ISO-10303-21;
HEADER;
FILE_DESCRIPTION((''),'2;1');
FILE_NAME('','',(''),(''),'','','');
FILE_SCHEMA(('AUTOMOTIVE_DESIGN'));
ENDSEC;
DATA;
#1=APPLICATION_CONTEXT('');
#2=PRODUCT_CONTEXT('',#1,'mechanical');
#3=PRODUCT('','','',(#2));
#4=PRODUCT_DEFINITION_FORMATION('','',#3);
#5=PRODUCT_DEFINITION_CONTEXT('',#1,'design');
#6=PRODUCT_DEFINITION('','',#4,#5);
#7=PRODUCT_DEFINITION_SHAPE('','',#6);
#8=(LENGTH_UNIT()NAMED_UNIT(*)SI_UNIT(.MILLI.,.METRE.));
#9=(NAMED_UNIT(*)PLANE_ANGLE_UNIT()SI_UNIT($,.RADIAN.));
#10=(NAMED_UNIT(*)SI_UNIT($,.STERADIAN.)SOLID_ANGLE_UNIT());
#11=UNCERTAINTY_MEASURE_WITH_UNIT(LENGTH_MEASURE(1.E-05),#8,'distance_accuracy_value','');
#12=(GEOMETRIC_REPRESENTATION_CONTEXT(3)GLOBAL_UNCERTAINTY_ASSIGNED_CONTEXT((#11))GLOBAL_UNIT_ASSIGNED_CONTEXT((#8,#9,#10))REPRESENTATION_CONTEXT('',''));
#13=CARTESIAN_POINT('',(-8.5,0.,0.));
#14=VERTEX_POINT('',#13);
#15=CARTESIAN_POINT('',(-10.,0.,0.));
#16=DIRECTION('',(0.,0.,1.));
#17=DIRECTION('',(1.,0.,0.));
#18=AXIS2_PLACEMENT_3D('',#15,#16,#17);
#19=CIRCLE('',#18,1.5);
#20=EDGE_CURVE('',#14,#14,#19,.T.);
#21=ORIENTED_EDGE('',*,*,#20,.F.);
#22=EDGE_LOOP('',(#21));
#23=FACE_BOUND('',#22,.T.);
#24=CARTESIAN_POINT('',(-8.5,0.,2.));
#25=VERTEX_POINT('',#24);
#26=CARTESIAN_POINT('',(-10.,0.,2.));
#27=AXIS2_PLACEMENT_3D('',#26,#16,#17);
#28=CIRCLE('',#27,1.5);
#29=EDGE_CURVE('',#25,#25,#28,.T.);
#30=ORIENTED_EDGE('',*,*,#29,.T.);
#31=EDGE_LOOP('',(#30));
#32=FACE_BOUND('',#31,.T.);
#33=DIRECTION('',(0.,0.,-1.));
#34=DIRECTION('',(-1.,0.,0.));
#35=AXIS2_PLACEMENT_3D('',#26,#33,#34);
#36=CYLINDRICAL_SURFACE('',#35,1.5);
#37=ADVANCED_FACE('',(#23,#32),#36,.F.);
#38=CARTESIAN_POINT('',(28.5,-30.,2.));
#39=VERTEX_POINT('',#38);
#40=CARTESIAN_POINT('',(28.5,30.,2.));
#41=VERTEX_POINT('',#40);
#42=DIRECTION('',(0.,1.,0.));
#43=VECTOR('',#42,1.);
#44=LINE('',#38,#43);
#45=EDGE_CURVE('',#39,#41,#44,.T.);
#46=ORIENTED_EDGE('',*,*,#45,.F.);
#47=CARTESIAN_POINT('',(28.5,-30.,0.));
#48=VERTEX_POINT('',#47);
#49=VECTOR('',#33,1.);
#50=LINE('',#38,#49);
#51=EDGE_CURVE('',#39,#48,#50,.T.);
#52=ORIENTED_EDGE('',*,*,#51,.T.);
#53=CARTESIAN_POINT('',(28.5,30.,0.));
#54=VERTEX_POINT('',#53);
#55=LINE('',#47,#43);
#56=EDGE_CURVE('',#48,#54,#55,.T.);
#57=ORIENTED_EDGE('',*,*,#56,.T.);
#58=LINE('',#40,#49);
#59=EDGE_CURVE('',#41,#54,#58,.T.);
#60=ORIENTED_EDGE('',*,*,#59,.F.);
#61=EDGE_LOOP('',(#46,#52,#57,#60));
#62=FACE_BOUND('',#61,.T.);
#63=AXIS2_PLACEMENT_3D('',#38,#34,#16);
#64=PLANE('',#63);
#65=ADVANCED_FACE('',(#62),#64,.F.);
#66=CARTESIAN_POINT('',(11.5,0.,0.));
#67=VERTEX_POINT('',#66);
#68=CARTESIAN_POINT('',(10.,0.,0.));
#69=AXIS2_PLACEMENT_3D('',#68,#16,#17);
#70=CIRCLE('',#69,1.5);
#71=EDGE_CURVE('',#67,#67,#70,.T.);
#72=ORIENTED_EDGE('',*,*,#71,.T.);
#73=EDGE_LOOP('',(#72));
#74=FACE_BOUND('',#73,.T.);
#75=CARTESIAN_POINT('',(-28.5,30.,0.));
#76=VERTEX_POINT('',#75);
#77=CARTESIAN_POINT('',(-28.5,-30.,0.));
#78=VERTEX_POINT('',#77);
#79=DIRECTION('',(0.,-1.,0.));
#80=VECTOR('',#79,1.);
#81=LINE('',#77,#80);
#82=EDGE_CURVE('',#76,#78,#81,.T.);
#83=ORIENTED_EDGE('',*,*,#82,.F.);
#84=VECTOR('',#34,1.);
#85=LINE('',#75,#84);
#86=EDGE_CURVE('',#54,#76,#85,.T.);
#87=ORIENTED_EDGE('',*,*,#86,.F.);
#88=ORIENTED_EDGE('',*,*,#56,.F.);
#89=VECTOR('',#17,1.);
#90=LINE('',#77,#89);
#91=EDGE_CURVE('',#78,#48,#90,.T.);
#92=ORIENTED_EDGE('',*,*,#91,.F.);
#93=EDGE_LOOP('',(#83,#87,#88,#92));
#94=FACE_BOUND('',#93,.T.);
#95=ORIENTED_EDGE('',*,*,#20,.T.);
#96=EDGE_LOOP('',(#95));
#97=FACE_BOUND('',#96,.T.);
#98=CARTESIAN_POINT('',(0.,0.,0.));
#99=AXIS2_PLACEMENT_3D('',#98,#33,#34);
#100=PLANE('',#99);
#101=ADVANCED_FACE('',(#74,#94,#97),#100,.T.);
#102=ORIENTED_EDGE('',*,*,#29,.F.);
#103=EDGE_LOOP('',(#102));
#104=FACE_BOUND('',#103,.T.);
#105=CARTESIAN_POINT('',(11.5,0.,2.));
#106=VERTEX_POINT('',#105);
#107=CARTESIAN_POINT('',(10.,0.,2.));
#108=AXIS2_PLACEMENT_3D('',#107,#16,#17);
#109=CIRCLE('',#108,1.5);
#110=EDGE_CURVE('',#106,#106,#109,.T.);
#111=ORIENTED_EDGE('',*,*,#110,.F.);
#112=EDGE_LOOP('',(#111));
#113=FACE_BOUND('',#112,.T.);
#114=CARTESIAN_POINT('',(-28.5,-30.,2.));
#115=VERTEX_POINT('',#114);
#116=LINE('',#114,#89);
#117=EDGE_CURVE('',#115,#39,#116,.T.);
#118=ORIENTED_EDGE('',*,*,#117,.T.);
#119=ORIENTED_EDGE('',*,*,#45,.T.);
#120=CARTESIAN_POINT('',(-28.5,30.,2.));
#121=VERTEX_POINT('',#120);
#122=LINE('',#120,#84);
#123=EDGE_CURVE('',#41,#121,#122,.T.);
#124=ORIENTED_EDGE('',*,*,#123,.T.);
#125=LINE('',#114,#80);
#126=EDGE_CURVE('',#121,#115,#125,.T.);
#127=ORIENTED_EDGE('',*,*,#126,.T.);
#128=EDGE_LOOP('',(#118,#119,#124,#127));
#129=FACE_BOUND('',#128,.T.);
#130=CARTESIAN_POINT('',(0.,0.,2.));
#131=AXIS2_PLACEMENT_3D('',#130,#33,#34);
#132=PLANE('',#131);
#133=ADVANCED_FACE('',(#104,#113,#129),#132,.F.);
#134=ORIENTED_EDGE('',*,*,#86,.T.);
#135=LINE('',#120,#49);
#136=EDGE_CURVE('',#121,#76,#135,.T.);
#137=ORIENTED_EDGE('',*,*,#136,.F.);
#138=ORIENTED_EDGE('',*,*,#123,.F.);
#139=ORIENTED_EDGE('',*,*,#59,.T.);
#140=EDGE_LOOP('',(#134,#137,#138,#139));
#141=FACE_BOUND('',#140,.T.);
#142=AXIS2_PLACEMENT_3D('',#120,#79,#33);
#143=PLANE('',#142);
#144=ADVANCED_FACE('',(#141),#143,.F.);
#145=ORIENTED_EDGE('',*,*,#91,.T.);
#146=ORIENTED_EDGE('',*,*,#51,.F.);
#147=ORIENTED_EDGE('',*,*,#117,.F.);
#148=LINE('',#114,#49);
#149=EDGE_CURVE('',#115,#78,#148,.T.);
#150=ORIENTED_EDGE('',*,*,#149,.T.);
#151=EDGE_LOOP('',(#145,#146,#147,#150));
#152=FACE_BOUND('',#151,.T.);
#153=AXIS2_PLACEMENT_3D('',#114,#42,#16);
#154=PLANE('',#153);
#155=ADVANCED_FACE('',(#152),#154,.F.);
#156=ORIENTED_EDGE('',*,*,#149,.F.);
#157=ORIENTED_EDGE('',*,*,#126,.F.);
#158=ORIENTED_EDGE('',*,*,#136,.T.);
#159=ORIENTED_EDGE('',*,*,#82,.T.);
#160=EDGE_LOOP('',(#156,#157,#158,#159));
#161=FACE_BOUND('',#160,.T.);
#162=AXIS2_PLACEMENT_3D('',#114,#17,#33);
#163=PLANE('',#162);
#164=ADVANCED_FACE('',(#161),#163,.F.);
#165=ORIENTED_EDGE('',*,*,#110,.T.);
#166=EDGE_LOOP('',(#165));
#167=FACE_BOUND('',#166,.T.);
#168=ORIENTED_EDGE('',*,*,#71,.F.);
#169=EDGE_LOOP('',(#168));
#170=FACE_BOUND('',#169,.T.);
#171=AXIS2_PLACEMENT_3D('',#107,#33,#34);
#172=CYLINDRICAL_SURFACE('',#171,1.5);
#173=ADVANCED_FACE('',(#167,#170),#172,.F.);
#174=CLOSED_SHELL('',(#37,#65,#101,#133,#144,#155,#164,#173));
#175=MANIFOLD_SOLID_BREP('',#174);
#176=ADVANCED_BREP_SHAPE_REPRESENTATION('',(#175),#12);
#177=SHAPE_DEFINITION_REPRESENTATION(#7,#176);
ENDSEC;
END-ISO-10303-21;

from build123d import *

# Parameters (mm, degrees)
SKETCH1_W           = 57
SKETCH1_H           = 60
SKETCH1_R           = 1.5
BOSS_EXTRUDE1_DEPTH = 2


with BuildPart() as part:
    # Sketch1 → Boss-Extrude1 (new body)
    with BuildSketch(Plane.XY):
        Rectangle(SKETCH1_W, SKETCH1_H)
        with Locations((-10, 0)):
            Circle(SKETCH1_R, mode=Mode.SUBTRACT)
        with Locations((10, 0)):
            Circle(SKETCH1_R, mode=Mode.SUBTRACT)
    extrude(amount=BOSS_EXTRUDE1_DEPTH)


solid = part.part
